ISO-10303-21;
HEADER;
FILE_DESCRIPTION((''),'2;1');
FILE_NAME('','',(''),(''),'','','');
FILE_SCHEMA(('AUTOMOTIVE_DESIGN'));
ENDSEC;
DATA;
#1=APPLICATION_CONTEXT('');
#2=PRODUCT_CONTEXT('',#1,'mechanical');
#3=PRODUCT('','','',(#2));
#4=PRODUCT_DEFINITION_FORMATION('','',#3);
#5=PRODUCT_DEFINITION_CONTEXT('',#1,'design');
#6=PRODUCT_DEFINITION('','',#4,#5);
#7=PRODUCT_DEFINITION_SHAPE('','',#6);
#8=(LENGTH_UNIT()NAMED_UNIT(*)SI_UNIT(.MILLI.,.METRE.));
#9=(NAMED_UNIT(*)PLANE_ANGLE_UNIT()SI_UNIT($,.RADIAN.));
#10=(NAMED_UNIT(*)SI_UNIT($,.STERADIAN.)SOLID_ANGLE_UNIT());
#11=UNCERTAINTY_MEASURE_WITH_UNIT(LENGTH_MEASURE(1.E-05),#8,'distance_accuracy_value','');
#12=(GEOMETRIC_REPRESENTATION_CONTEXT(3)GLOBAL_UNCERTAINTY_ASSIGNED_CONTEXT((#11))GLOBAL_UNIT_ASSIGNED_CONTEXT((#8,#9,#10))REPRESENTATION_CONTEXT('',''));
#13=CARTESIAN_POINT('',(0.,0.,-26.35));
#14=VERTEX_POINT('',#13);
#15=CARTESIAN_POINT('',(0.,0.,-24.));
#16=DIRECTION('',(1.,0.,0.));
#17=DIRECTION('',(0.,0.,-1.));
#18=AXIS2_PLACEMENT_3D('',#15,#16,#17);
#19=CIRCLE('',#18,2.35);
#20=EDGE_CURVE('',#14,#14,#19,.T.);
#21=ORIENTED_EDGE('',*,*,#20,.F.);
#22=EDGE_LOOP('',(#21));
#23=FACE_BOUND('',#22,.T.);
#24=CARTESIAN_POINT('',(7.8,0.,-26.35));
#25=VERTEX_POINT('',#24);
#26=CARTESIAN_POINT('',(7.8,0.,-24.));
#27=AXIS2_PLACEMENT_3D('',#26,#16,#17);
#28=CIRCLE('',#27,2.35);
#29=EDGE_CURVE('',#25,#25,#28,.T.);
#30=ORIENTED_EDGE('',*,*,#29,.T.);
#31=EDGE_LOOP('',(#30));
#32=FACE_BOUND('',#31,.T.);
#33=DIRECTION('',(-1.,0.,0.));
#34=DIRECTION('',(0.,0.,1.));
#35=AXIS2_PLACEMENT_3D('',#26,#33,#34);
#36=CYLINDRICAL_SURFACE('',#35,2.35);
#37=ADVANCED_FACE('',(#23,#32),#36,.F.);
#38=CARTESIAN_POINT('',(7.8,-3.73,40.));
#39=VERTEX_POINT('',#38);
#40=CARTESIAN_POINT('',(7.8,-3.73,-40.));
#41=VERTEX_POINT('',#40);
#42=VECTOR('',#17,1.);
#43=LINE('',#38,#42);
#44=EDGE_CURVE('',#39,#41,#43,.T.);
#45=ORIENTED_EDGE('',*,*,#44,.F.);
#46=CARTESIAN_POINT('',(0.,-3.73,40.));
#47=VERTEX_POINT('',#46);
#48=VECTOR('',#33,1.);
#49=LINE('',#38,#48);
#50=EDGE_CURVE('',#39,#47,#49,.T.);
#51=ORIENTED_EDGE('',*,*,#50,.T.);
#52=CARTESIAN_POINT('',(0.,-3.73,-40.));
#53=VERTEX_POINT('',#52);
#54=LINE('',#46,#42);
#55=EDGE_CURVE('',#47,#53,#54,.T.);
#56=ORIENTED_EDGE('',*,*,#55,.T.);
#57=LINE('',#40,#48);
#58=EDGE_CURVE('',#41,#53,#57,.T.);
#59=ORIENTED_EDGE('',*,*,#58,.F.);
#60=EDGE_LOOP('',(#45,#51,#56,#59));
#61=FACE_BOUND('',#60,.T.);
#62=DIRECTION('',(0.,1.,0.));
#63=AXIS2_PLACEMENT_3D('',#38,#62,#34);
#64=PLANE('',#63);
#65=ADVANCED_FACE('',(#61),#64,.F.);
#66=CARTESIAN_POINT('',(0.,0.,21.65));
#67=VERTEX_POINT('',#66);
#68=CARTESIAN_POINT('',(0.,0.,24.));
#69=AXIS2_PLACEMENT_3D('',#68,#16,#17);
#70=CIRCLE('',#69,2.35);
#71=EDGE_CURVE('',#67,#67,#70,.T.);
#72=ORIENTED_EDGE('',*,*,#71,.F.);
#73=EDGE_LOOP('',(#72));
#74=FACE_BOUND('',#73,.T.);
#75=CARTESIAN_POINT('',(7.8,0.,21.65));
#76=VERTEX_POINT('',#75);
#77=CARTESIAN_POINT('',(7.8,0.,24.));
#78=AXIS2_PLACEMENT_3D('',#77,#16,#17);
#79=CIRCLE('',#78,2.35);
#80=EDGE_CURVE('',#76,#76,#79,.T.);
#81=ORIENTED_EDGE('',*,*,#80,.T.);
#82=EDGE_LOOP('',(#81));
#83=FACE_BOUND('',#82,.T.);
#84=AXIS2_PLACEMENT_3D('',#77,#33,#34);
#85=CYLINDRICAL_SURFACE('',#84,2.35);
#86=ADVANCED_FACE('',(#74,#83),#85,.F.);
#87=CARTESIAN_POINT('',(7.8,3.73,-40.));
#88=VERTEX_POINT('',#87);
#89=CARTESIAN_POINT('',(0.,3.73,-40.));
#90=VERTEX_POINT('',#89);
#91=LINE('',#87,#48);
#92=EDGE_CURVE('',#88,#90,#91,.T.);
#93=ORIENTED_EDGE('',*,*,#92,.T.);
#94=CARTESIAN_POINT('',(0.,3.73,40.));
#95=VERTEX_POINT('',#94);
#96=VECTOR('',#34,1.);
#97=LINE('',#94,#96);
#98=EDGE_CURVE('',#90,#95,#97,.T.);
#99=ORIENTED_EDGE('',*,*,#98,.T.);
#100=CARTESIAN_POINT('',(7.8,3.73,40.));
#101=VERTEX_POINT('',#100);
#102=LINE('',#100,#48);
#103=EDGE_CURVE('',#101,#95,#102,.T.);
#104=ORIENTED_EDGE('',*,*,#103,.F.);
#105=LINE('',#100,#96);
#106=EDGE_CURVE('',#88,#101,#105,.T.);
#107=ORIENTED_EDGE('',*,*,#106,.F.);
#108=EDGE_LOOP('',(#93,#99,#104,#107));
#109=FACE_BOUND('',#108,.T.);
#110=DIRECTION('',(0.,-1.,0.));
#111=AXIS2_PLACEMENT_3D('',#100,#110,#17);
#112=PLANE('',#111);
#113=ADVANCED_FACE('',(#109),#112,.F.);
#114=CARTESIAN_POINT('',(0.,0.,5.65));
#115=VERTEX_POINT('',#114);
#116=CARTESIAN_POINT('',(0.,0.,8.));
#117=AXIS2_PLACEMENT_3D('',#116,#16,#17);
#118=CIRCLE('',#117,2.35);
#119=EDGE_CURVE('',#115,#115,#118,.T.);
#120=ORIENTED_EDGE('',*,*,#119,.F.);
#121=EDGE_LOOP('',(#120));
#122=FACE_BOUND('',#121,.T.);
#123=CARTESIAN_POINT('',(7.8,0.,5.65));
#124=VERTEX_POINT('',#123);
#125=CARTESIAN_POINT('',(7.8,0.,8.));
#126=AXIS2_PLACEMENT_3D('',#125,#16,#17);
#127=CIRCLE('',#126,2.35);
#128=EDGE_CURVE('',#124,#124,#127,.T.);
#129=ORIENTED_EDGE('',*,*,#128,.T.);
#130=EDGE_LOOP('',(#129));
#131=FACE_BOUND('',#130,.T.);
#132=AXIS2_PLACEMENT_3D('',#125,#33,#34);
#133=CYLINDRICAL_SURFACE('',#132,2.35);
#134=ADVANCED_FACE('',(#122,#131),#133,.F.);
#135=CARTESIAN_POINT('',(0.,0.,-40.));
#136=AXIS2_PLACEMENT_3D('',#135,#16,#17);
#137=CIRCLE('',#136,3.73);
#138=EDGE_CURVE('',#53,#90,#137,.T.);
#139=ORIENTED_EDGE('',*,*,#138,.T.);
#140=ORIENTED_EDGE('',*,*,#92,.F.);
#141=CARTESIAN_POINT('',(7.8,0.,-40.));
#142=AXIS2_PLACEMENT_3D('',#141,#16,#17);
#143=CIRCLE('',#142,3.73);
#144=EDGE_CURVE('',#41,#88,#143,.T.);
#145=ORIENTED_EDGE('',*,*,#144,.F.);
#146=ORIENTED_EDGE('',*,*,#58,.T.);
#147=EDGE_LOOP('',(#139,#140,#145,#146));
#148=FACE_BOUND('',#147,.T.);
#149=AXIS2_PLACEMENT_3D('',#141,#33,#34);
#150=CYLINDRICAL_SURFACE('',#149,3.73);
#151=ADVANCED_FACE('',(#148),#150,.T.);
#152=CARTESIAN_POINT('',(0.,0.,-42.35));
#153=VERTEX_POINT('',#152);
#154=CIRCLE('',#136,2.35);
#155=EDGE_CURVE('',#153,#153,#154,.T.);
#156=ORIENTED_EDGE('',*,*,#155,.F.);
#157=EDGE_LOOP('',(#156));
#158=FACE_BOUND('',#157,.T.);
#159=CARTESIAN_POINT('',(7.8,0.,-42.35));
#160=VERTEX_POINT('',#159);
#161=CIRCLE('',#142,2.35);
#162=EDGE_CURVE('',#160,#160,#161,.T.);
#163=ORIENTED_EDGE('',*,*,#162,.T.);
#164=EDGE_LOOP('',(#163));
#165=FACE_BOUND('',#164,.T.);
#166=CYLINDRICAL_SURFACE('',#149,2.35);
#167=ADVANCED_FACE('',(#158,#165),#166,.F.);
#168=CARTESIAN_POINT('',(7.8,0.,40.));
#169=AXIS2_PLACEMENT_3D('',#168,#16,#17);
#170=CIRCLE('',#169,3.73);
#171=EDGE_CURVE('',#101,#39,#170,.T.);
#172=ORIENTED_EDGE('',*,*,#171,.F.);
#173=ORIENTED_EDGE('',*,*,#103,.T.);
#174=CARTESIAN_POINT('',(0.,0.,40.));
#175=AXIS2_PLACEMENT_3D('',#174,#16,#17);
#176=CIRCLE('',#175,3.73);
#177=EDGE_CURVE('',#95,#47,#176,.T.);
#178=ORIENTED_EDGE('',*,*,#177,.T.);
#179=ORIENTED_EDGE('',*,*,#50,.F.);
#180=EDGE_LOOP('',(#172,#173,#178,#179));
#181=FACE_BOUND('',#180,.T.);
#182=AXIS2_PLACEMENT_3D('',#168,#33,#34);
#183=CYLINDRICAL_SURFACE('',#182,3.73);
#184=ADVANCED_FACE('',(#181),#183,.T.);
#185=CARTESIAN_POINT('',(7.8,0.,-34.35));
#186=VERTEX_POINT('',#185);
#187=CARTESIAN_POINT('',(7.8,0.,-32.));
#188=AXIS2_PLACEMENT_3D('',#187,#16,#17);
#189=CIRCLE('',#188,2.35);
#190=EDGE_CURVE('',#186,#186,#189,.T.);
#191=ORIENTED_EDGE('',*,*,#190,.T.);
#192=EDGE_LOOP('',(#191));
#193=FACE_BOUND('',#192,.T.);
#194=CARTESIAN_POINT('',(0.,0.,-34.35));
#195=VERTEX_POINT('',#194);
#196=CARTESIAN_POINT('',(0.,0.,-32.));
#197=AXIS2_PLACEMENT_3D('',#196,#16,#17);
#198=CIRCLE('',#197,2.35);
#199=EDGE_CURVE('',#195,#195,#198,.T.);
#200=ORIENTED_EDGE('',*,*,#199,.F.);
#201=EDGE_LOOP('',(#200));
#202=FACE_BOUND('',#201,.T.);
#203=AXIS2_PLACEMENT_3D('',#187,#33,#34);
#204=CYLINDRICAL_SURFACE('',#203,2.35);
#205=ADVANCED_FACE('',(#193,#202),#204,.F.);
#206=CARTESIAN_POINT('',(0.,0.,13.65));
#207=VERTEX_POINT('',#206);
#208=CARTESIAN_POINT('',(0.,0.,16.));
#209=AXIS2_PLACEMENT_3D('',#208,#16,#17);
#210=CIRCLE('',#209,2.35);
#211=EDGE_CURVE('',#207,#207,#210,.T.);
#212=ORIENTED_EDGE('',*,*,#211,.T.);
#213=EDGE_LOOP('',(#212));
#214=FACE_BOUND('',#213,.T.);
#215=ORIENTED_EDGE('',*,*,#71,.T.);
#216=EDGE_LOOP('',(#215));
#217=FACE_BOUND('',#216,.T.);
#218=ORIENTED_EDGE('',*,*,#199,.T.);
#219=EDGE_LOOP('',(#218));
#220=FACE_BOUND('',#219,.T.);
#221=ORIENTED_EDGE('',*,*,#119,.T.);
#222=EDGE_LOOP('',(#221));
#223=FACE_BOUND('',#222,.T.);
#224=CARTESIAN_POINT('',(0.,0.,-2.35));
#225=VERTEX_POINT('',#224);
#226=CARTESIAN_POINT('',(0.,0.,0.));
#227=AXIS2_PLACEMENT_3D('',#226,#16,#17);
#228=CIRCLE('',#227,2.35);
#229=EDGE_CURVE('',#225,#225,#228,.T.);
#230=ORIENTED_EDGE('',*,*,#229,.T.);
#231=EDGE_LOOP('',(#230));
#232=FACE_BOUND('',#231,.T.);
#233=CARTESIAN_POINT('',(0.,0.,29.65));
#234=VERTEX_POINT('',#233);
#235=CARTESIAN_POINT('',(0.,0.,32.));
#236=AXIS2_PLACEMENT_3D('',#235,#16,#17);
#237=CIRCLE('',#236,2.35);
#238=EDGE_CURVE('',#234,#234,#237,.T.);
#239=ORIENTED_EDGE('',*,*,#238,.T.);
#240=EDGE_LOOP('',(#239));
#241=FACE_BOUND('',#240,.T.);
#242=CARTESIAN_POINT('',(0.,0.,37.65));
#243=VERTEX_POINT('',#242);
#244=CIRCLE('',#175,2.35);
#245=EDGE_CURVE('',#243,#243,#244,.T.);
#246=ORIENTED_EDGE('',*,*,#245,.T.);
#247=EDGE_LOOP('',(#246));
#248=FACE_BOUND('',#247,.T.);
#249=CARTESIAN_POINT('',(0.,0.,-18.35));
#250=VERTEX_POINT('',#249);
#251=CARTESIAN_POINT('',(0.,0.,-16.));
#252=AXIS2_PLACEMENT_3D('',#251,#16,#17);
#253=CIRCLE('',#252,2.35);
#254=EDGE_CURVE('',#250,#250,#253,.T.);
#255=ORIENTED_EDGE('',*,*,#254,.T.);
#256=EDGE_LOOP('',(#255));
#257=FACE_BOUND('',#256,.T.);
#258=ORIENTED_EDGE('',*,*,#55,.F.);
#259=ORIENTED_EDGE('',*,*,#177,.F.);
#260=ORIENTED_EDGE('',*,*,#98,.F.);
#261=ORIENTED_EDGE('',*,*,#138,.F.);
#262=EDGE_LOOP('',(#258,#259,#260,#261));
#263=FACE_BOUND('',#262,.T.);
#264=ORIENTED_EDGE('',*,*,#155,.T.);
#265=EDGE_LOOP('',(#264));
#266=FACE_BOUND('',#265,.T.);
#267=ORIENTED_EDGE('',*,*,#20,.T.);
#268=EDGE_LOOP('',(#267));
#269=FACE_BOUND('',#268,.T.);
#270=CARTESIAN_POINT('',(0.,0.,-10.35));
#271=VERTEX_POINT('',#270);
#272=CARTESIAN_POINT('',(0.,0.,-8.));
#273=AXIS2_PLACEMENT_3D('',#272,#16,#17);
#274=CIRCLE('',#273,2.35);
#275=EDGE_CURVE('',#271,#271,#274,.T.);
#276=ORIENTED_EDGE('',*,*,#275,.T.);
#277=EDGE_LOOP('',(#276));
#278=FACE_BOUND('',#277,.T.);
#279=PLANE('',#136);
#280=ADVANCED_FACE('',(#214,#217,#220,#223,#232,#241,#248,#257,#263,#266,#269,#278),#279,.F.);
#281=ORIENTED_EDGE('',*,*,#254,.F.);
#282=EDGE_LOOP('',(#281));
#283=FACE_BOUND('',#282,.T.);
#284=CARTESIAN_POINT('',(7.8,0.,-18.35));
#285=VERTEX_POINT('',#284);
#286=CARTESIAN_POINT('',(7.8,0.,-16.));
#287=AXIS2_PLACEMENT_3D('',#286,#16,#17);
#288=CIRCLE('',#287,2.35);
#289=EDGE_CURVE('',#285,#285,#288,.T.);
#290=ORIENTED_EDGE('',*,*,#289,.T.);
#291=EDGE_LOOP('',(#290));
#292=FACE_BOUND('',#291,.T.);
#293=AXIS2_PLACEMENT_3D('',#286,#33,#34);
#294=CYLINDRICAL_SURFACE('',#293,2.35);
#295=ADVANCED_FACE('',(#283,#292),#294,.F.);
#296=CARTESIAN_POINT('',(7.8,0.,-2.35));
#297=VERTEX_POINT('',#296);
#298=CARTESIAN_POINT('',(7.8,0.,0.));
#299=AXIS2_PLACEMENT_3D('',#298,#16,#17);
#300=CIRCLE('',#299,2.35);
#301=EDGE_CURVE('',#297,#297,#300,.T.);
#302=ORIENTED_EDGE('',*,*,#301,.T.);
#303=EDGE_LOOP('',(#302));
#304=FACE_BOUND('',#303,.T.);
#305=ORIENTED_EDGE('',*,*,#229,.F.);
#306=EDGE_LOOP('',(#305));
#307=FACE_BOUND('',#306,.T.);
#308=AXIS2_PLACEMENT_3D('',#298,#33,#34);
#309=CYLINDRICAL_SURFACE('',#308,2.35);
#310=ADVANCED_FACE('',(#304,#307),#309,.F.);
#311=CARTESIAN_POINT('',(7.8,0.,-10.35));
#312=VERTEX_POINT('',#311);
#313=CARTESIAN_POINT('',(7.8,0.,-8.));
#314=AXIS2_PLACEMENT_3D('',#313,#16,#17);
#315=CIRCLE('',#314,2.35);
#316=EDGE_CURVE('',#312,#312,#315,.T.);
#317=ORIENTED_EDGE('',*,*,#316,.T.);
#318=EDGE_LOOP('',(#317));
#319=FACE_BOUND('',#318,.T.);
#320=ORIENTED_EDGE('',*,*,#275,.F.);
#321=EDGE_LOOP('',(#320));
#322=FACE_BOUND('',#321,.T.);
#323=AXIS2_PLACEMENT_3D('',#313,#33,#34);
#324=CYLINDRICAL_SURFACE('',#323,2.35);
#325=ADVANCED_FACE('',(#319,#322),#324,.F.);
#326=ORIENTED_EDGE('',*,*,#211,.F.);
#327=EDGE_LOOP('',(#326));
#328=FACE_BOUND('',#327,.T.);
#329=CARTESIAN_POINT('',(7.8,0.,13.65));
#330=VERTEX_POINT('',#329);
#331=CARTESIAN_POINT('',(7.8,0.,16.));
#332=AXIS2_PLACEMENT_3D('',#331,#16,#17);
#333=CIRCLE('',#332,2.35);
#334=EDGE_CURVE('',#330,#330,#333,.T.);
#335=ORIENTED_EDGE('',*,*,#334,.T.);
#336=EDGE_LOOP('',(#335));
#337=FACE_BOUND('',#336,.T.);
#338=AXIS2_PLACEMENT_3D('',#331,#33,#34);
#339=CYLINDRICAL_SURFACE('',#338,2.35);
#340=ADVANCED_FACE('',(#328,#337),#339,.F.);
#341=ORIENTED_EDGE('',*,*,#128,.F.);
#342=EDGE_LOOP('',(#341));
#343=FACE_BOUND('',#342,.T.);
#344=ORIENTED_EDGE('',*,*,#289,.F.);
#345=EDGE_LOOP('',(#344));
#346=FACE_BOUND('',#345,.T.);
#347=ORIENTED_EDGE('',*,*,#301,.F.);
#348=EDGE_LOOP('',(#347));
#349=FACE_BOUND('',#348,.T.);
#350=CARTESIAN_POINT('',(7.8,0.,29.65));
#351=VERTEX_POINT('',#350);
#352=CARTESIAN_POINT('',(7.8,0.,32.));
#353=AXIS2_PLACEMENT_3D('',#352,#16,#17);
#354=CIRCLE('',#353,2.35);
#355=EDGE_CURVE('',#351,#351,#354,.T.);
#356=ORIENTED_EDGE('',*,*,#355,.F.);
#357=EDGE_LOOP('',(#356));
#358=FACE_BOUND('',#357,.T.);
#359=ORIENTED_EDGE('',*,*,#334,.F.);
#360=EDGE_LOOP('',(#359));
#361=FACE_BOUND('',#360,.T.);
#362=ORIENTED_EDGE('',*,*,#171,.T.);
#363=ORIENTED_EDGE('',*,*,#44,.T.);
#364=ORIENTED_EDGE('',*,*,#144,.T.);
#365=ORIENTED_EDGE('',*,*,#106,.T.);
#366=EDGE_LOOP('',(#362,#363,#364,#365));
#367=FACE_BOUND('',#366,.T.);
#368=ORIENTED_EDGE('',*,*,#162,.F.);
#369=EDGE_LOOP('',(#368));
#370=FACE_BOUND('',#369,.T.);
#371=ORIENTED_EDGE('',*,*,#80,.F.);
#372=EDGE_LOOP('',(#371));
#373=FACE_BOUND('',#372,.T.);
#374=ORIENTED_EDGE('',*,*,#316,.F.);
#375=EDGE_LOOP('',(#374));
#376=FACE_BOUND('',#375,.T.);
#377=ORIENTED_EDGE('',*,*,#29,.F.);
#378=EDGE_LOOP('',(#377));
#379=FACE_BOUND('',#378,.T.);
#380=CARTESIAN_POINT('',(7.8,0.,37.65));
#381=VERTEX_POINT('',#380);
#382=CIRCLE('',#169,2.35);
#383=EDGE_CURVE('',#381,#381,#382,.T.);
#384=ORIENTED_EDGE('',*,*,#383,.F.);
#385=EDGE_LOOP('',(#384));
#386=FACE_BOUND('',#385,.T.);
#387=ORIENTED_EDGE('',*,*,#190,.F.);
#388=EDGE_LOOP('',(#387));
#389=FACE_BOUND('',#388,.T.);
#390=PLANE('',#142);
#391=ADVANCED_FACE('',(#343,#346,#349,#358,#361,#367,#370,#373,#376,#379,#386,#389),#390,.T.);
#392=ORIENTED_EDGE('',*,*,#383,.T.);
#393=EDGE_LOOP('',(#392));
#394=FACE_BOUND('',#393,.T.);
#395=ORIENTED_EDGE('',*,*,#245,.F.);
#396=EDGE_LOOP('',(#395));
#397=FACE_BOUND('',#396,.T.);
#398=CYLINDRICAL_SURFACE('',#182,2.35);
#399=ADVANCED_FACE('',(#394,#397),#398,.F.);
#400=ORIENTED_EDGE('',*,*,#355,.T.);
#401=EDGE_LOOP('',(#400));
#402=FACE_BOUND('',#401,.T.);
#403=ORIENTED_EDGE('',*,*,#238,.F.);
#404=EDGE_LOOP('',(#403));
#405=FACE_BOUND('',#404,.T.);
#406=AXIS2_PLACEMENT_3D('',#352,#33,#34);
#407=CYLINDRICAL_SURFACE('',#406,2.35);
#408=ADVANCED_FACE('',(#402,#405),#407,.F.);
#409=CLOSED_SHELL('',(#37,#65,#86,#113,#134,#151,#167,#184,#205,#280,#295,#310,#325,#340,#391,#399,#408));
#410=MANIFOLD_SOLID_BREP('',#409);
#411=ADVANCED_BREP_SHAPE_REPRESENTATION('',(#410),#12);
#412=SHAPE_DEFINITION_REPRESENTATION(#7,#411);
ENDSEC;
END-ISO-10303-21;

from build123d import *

# Parameters (mm, degrees)
SKETCH1_R           = 2.35
BOSS_EXTRUDE1_DEPTH = 7.8


with BuildPart() as part:
    # Sketch1 → Boss-Extrude1 (new body)
    with BuildSketch(Plane(origin=(0, 0, 0), x_dir=(0, 0, -1), z_dir=(1, 0, 0))):
        with BuildLine():
            Line((-40, -3.73), (40, -3.73))
            ThreePointArc((40, -3.73), (43.73, 0), (40, 3.73))
            Line((40, 3.73), (-40, 3.73))
            ThreePointArc((-40, 3.73), (-43.73, 0), (-40, -3.73))
        make_face()
        with Locations((-40, 0)):
            Circle(SKETCH1_R, mode=Mode.SUBTRACT)
        with Locations((-32, 0)):
            Circle(SKETCH1_R, mode=Mode.SUBTRACT)
        with Locations((-24, 0)):
            Circle(SKETCH1_R, mode=Mode.SUBTRACT)
        with Locations((-16, 0)):
            Circle(SKETCH1_R, mode=Mode.SUBTRACT)
        with Locations((-8, 0)):
            Circle(SKETCH1_R, mode=Mode.SUBTRACT)
        Circle(SKETCH1_R, mode=Mode.SUBTRACT)
        with Locations((8, 0)):
            Circle(SKETCH1_R, mode=Mode.SUBTRACT)
        with Locations((16, 0)):
            Circle(SKETCH1_R, mode=Mode.SUBTRACT)
        with Locations((24, 0)):
            Circle(SKETCH1_R, mode=Mode.SUBTRACT)
        with Locations((32, 0)):
            Circle(SKETCH1_R, mode=Mode.SUBTRACT)
        with Locations((40, 0)):
            Circle(SKETCH1_R, mode=Mode.SUBTRACT)
    extrude(amount=BOSS_EXTRUDE1_DEPTH)


solid = part.part
